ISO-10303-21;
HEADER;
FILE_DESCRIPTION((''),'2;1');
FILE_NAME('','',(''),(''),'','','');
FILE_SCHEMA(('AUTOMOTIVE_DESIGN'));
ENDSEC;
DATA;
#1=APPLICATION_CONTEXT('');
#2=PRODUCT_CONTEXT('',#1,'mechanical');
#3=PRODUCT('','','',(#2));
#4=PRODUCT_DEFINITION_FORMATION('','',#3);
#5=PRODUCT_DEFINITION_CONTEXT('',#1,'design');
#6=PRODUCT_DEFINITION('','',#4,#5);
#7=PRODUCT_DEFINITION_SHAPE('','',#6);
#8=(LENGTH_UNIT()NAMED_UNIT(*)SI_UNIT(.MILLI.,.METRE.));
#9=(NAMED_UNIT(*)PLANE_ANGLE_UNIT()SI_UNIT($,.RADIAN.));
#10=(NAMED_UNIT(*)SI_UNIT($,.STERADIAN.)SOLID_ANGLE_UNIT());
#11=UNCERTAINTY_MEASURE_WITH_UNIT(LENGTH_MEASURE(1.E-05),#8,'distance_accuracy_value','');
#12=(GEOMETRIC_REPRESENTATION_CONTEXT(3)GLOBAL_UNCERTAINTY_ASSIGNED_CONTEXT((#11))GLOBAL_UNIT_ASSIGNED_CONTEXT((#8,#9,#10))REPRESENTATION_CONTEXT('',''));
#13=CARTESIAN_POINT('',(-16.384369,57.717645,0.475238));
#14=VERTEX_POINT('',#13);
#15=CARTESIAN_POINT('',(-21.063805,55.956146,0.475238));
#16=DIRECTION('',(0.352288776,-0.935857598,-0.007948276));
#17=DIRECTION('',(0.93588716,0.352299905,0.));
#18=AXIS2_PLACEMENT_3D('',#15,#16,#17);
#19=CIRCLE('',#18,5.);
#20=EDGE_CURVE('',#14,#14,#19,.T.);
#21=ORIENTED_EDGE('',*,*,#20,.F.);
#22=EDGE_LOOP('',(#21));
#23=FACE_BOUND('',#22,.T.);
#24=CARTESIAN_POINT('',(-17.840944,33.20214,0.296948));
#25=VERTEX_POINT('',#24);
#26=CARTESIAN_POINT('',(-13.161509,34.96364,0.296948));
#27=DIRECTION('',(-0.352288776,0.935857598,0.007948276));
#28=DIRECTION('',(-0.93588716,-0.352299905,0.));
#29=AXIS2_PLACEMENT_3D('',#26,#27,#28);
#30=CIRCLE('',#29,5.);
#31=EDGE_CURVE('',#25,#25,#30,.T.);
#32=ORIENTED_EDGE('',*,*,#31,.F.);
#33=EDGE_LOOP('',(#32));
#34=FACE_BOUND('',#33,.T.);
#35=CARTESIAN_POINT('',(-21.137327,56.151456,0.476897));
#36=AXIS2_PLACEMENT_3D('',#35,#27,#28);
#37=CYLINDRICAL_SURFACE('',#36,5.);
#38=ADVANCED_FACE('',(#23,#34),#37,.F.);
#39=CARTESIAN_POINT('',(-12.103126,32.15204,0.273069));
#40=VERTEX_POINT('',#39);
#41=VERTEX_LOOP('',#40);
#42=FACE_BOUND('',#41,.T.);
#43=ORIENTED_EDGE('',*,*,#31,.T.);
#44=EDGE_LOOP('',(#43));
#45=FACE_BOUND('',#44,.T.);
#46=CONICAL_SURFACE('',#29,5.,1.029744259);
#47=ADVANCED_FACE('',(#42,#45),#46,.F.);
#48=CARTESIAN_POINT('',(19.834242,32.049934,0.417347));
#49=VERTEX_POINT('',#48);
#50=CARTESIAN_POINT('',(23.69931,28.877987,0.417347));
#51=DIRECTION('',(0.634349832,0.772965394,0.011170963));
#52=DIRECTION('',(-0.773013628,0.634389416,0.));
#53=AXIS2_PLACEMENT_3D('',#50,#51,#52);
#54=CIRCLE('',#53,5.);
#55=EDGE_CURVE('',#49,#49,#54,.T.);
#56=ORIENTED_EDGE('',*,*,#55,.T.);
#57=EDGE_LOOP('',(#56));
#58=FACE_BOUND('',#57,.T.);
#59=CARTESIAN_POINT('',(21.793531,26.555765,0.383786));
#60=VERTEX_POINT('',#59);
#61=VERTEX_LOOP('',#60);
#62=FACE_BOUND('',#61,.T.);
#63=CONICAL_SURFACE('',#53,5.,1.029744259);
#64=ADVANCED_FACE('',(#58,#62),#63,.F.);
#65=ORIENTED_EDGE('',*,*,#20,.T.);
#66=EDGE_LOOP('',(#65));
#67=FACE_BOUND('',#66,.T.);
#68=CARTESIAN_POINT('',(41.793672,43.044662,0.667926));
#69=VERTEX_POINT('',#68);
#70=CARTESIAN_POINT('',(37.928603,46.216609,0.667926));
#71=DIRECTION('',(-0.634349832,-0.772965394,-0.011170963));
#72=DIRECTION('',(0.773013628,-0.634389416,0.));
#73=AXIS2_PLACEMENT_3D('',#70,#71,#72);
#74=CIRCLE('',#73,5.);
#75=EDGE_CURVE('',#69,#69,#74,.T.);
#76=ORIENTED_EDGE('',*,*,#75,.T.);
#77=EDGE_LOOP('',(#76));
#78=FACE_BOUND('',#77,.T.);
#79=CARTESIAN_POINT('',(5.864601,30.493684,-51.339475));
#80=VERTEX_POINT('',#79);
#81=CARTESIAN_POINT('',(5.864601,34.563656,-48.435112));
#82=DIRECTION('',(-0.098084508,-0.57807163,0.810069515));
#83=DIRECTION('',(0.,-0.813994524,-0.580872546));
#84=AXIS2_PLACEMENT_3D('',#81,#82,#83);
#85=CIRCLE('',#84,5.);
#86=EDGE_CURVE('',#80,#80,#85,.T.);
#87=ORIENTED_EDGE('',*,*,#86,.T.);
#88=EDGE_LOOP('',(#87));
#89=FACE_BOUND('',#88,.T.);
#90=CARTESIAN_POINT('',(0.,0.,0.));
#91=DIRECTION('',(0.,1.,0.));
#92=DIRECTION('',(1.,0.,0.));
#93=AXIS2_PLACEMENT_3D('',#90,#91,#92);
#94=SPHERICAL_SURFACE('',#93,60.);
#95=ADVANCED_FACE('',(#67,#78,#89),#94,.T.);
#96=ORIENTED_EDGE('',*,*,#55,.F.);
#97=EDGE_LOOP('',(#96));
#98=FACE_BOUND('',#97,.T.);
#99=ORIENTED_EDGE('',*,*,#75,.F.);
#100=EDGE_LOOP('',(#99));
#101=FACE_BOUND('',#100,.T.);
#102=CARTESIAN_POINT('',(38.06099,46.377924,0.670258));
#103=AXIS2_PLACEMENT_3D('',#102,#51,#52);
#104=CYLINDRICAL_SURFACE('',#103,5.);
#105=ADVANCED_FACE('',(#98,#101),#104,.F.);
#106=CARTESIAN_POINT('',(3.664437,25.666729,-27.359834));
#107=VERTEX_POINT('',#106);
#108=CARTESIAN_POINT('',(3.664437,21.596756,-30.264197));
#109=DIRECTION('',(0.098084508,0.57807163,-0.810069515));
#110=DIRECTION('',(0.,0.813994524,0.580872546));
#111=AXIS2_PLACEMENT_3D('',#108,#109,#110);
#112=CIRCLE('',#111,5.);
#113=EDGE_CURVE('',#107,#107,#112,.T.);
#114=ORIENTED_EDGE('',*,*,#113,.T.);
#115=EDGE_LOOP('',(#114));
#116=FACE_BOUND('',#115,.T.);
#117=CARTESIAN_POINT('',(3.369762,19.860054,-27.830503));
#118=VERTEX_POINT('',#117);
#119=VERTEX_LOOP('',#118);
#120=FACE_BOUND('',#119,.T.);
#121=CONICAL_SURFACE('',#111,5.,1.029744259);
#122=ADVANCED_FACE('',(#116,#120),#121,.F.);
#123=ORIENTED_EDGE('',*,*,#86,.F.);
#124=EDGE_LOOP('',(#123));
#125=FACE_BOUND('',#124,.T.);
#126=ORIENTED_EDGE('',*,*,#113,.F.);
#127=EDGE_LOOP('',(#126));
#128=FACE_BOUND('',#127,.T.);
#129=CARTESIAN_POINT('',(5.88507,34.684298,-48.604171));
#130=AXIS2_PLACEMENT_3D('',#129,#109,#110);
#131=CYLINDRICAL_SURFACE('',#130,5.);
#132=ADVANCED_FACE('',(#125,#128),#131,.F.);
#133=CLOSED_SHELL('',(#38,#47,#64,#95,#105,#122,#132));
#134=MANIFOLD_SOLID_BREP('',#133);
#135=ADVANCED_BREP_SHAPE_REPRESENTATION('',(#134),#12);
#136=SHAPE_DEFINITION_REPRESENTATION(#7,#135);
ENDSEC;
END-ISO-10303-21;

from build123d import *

# Parameters (mm, degrees)
F_10_0_10_DURCHMESSER_BOHRUNG1_D                     = 10
F_10_0_10_DURCHMESSER_BOHRUNG1_DEPTH                 = 22.64
F_10_0_10_DURCHMESSER_BOHRUNG1_CSINK_D               = 10.05
F_10_0_10_DURCHMESSER_BOHRUNG1_CSINK_ANGLE           = 90
F_10_0_10_DURCHMESSER_BOHRUNG1_TIP                   = 3.004303095
F_10_0_10_DURCHMESSER_BOHRUNG1_ON_FACE_2_D           = 10
F_10_0_10_DURCHMESSER_BOHRUNG1_ON_FACE_2_DEPTH       = 22.64
F_10_0_10_DURCHMESSER_BOHRUNG1_ON_FACE_2_CSINK_D     = 10.05
F_10_0_10_DURCHMESSER_BOHRUNG1_ON_FACE_2_CSINK_ANGLE = 90
F_10_0_10_DURCHMESSER_BOHRUNG1_ON_FACE_2_TIP         = 3.004303095
F_10_0_10_DURCHMESSER_BOHRUNG1_ON_FACE_3_D           = 10
F_10_0_10_DURCHMESSER_BOHRUNG1_ON_FACE_3_DEPTH       = 22.64
F_10_0_10_DURCHMESSER_BOHRUNG1_ON_FACE_3_CSINK_D     = 10.05
F_10_0_10_DURCHMESSER_BOHRUNG1_ON_FACE_3_CSINK_ANGLE = 90
F_10_0_10_DURCHMESSER_BOHRUNG1_ON_FACE_3_TIP         = 3.004303095


with BuildPart() as part:
    # Skizze1 → Rotation1 (revolve)
    with BuildSketch(Plane.XY):
        with BuildLine():
            Line((0, 60), (0, -60))
            ThreePointArc((0, -60), (60, 0), (0, 60))
        make_face()
    revolve(axis=Axis((0, 60, 0), (0, -1, 0)))

    # 10.0 _10_ Durchmesser Bohrung1
    with Locations(Plane(origin=(38.060989939, 46.377923621, 0.670257752), x_dir=(0.773013628, -0.634389416, 0), z_dir=(0.634349832, 0.772965394, 0.011170963))):
        with Locations((0, 0)):
            CounterSinkHole(F_10_0_10_DURCHMESSER_BOHRUNG1_D / 2, F_10_0_10_DURCHMESSER_BOHRUNG1_CSINK_D / 2, depth=F_10_0_10_DURCHMESSER_BOHRUNG1_DEPTH, counter_sink_angle=F_10_0_10_DURCHMESSER_BOHRUNG1_CSINK_ANGLE)
            with Locations((0, 0, -(F_10_0_10_DURCHMESSER_BOHRUNG1_DEPTH + F_10_0_10_DURCHMESSER_BOHRUNG1_TIP / 2))):  # 118° drill point
                Cone(0, F_10_0_10_DURCHMESSER_BOHRUNG1_D / 2, F_10_0_10_DURCHMESSER_BOHRUNG1_TIP, mode=Mode.SUBTRACT)

    # 10.0 _10_ Durchmesser Bohrung1 on face 2
    with Locations(Plane(origin=(-21.137326584, 56.151455854, 0.476896544), x_dir=(0.935887137, 0.352299968, 0), z_dir=(-0.35228884, 0.935857576, 0.007947996))):
        with Locations((0, 0)):
            CounterSinkHole(F_10_0_10_DURCHMESSER_BOHRUNG1_ON_FACE_2_D / 2, F_10_0_10_DURCHMESSER_BOHRUNG1_ON_FACE_2_CSINK_D / 2, depth=F_10_0_10_DURCHMESSER_BOHRUNG1_ON_FACE_2_DEPTH, counter_sink_angle=F_10_0_10_DURCHMESSER_BOHRUNG1_ON_FACE_2_CSINK_ANGLE)
            with Locations((0, 0, -(F_10_0_10_DURCHMESSER_BOHRUNG1_ON_FACE_2_DEPTH + F_10_0_10_DURCHMESSER_BOHRUNG1_ON_FACE_2_TIP / 2))):  # 118° drill point
                Cone(0, F_10_0_10_DURCHMESSER_BOHRUNG1_ON_FACE_2_D / 2, F_10_0_10_DURCHMESSER_BOHRUNG1_ON_FACE_2_TIP, mode=Mode.SUBTRACT)

    # 10.0 _10_ Durchmesser Bohrung1 on face 3
    with Locations(Plane(origin=(5.885070461, 34.684297812, -48.604170922), x_dir=(0, -0.813994513, -0.580872562), z_dir=(0.098084936, 0.578071622, -0.81006947))):
        with Locations((0, 0)):
            CounterSinkHole(F_10_0_10_DURCHMESSER_BOHRUNG1_ON_FACE_3_D / 2, F_10_0_10_DURCHMESSER_BOHRUNG1_ON_FACE_3_CSINK_D / 2, depth=F_10_0_10_DURCHMESSER_BOHRUNG1_ON_FACE_3_DEPTH, counter_sink_angle=F_10_0_10_DURCHMESSER_BOHRUNG1_ON_FACE_3_CSINK_ANGLE)
            with Locations((0, 0, -(F_10_0_10_DURCHMESSER_BOHRUNG1_ON_FACE_3_DEPTH + F_10_0_10_DURCHMESSER_BOHRUNG1_ON_FACE_3_TIP / 2))):  # 118° drill point
                Cone(0, F_10_0_10_DURCHMESSER_BOHRUNG1_ON_FACE_3_D / 2, F_10_0_10_DURCHMESSER_BOHRUNG1_ON_FACE_3_TIP, mode=Mode.SUBTRACT)


solid = part.part
